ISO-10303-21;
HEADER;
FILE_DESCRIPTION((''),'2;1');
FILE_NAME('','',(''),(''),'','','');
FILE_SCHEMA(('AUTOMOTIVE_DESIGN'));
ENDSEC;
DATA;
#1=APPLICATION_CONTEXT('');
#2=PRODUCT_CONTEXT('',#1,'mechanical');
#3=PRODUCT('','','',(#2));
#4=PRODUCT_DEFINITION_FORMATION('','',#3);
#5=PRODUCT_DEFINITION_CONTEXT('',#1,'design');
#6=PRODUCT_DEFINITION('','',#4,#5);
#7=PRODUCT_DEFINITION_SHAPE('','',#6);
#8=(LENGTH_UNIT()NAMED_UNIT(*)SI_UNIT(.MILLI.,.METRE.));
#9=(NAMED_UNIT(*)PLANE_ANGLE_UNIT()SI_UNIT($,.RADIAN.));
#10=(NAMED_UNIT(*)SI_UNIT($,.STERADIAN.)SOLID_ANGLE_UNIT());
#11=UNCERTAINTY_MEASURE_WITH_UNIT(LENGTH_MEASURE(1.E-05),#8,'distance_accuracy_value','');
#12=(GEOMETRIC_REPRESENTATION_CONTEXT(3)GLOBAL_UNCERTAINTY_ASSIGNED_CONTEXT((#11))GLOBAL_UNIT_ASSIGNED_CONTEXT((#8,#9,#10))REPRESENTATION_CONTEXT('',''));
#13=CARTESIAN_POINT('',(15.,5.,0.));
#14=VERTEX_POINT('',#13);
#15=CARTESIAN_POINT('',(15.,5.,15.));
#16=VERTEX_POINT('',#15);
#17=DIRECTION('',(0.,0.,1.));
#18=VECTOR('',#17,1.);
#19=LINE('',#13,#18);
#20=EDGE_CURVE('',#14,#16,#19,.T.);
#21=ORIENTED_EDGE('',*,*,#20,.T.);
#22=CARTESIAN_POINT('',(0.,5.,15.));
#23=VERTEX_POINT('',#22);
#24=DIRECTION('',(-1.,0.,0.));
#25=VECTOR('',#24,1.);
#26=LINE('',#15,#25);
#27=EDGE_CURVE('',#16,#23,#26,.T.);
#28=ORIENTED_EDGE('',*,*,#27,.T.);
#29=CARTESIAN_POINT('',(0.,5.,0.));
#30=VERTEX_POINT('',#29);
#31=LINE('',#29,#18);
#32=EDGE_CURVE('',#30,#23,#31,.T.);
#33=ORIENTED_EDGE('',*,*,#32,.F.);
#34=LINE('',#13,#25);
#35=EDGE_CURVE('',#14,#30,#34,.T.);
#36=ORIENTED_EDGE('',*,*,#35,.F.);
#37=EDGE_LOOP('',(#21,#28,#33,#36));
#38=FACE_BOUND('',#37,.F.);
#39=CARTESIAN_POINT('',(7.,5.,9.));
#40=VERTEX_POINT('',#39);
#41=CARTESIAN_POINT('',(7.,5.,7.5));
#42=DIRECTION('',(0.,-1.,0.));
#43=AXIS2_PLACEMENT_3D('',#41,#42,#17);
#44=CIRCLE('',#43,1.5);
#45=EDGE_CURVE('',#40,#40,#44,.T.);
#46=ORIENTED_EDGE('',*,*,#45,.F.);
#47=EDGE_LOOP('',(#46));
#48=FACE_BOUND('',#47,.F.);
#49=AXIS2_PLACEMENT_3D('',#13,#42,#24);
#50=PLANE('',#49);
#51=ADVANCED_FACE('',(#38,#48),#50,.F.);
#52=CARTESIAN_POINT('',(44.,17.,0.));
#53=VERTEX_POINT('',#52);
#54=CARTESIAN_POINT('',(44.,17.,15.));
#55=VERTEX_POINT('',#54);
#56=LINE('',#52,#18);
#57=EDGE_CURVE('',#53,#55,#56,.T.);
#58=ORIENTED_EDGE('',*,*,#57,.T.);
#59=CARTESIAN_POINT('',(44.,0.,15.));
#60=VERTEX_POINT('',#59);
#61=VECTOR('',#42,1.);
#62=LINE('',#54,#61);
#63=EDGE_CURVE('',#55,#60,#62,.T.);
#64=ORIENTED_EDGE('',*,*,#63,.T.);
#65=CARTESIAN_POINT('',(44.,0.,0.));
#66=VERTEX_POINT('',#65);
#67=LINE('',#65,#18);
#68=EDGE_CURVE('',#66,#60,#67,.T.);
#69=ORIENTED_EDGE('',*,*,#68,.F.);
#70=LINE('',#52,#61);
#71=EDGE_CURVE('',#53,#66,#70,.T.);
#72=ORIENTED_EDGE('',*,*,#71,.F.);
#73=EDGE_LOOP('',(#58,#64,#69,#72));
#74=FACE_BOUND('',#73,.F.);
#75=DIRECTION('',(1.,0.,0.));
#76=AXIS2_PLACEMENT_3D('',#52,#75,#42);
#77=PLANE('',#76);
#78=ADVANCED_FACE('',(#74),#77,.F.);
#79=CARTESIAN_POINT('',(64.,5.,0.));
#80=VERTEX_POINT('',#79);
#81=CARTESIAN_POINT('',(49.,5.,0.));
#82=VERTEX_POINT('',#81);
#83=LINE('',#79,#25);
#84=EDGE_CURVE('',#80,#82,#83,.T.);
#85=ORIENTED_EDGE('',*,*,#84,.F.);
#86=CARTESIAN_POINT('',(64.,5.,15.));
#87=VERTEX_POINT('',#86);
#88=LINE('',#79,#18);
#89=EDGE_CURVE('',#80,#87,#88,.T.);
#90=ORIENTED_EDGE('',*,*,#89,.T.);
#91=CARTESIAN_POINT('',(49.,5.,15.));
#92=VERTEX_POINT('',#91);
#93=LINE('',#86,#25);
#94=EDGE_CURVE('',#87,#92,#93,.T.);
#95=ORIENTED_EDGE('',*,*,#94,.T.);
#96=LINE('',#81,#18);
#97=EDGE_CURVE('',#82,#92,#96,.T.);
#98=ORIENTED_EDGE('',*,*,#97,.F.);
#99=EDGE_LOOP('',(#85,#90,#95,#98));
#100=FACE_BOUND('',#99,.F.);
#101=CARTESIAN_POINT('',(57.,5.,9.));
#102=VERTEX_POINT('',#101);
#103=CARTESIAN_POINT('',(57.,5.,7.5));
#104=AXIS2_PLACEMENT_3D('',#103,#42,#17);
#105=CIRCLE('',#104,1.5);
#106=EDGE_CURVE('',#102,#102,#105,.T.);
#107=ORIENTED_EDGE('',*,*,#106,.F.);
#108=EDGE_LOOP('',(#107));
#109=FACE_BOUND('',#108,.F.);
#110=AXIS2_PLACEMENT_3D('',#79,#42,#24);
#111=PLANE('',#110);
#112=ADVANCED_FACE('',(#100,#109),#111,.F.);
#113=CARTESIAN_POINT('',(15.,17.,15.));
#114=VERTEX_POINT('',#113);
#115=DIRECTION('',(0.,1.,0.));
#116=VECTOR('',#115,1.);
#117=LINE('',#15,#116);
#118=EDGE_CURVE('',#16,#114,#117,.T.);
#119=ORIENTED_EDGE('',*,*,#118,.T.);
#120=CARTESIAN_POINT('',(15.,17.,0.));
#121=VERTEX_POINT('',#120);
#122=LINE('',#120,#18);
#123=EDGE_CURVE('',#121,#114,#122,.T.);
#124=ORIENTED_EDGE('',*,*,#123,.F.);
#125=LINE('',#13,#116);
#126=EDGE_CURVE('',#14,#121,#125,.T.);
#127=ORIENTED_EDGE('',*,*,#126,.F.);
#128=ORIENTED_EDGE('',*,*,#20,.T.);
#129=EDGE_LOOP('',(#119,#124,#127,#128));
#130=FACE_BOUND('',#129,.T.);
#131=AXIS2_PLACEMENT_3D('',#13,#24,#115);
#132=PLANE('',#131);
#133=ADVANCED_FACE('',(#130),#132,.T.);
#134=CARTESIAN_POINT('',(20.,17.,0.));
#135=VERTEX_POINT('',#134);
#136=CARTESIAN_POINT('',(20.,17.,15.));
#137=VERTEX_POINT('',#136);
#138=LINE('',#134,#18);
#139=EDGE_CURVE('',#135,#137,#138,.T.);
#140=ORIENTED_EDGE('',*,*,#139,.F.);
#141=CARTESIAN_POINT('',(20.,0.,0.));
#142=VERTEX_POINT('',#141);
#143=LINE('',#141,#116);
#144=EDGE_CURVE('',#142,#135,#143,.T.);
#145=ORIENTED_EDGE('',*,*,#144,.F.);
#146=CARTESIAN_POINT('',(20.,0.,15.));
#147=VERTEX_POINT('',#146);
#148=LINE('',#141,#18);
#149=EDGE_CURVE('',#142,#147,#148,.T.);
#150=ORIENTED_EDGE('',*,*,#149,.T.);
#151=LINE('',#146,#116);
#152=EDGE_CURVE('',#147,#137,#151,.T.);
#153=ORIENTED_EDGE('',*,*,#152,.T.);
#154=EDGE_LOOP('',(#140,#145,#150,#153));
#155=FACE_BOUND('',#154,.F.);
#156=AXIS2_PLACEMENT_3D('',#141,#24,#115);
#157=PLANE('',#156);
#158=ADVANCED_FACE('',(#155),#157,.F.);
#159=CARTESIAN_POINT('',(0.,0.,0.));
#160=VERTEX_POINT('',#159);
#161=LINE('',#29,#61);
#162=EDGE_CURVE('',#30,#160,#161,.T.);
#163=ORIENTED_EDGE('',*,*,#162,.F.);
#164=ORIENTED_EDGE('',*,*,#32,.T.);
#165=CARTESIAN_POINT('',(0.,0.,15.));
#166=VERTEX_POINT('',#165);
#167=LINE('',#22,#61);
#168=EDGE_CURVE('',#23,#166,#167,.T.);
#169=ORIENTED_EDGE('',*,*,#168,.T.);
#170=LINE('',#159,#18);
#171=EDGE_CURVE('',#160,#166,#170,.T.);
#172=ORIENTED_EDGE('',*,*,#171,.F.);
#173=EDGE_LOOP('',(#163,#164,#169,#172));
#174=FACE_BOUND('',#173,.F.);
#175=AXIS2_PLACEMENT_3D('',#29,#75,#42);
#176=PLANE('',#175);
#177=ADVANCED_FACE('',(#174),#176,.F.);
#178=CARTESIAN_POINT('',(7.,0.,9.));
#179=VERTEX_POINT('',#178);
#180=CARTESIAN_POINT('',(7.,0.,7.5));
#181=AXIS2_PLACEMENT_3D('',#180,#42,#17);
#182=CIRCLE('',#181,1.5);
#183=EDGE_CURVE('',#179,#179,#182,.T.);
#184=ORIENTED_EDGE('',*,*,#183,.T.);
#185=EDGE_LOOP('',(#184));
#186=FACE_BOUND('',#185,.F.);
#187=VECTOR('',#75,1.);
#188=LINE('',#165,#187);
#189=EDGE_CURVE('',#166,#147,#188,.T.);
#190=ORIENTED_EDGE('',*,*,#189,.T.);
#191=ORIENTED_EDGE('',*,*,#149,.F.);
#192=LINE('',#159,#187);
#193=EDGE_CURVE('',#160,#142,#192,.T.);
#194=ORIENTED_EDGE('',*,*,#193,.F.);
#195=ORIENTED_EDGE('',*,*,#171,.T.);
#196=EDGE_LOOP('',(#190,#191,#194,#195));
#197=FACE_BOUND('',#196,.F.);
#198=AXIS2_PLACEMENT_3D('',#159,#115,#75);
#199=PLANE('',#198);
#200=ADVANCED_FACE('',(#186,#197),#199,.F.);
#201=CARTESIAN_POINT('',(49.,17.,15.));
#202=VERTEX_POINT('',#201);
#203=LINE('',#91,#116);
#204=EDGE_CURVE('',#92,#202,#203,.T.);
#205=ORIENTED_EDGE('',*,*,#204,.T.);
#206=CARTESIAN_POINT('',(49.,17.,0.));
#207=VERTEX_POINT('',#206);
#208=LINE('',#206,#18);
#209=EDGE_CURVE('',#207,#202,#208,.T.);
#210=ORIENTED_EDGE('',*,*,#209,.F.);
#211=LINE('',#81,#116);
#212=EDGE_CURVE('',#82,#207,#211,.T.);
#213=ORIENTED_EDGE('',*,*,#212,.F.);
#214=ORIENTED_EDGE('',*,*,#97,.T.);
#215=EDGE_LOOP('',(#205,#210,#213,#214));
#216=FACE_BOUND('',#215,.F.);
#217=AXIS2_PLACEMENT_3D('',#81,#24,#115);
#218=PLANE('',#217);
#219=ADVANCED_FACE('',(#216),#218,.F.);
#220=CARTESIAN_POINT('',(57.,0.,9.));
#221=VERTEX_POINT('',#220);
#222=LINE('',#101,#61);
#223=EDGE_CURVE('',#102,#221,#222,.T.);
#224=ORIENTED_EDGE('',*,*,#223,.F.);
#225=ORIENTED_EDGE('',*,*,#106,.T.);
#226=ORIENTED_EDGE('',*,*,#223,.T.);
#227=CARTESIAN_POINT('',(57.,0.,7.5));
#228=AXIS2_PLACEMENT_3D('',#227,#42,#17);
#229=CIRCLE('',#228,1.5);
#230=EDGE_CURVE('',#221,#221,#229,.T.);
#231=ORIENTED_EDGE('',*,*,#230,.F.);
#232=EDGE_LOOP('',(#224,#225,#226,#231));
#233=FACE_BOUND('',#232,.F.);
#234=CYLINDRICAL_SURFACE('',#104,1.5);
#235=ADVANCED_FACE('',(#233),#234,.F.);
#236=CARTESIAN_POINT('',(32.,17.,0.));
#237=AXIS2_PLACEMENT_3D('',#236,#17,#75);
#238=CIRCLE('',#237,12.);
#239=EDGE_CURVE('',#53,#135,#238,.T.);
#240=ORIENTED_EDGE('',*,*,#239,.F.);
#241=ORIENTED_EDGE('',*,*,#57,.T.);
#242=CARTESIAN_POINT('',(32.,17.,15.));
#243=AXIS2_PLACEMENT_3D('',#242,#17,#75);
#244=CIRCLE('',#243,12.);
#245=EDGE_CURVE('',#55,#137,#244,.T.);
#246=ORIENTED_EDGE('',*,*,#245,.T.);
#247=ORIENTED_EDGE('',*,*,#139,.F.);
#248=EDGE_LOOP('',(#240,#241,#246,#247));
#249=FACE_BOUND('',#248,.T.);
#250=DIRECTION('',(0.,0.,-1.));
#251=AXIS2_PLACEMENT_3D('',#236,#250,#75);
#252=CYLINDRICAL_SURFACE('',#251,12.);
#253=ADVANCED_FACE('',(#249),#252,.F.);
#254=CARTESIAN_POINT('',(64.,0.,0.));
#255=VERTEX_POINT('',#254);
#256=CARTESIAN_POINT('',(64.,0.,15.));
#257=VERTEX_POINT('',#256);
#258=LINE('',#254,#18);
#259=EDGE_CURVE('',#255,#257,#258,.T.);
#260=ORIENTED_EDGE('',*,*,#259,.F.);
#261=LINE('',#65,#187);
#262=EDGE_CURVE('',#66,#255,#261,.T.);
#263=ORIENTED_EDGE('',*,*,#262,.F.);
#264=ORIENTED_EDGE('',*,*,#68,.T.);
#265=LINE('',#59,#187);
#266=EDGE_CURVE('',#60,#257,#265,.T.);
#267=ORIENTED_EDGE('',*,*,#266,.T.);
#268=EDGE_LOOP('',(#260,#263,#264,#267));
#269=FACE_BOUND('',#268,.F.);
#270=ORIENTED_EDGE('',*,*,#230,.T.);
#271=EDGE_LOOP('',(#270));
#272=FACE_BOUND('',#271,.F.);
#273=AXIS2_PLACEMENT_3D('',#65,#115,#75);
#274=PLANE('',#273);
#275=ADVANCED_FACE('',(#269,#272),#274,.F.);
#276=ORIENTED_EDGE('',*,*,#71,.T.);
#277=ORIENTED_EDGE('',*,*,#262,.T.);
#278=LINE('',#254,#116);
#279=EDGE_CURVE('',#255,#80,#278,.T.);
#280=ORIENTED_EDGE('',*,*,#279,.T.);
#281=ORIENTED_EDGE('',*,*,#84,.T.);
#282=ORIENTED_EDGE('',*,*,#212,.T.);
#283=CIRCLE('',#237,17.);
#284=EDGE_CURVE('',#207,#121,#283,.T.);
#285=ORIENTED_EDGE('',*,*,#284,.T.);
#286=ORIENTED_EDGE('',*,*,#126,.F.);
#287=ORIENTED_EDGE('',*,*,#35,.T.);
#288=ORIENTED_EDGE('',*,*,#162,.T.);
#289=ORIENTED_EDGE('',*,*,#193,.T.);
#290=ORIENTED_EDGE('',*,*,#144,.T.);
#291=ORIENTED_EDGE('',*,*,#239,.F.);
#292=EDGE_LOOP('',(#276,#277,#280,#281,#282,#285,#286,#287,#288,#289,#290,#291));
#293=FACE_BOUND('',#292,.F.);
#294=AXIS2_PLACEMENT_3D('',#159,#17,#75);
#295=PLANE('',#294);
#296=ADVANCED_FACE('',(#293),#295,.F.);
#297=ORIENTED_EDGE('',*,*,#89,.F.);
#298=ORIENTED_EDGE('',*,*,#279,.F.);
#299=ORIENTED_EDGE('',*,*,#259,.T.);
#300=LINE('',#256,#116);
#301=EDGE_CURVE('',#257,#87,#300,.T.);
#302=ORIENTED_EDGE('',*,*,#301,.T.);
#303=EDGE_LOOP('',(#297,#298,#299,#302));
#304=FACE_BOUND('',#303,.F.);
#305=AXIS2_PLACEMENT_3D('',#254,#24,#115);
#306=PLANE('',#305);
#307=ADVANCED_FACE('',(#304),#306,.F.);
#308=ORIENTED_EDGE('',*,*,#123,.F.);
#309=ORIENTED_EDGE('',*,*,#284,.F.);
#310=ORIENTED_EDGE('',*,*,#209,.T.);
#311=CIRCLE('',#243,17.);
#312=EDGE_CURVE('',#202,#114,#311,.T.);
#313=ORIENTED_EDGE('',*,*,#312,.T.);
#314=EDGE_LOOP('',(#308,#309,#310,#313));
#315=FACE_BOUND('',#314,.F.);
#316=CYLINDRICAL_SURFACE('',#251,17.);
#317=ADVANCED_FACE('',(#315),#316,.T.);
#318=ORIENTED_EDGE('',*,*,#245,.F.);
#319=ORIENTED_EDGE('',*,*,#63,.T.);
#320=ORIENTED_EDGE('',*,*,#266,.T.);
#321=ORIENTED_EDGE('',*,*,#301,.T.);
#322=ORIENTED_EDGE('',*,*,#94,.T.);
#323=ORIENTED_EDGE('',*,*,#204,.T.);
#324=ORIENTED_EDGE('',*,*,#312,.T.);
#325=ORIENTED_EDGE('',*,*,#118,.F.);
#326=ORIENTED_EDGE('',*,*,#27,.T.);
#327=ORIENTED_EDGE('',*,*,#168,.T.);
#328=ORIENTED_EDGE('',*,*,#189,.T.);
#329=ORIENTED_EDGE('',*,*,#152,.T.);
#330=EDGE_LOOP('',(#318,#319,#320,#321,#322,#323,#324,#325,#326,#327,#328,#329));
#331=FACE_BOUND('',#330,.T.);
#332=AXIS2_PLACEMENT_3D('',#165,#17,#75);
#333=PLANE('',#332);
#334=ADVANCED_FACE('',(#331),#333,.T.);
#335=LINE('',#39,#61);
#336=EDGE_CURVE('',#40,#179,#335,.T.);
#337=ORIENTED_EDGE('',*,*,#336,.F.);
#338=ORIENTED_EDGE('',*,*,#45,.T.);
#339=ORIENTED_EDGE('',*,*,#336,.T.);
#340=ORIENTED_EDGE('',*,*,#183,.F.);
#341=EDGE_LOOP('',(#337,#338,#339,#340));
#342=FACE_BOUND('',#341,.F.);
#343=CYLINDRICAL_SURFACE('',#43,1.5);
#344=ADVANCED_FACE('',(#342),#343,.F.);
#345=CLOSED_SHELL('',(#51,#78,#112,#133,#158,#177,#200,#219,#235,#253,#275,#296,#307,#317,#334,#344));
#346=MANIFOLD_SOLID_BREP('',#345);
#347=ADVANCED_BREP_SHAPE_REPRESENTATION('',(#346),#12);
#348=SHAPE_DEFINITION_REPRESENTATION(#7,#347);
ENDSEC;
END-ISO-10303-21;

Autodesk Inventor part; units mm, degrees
ref_plane "YZ Plane" through (0, 0, 0) normal (1, 0, 0) x (0, 1, 0)
ref_plane "XZ Plane" through (0, 0, 0) normal (0, 1, 0) x (-1, 0, 0)
ref_plane "XY Plane" through (0, 0, 0) normal (0, 0, 1) x (1, 0, 0)
sketch "Sketch1" plane through (0, 0, 0) normal (0, 0, 1) x (1, 0, 0)
  line L0 (64, 0) -> (64, 5)
  line L1 (0, 5) -> (0, 0)
  arc A0 (49, 17) -> (15, 17) centre (32, 17) ccw
  line L2 (15, 5) -> (15, 17)
  line L3 (49, 5) -> (49, 17)
  line L4 (20, 0) -> (20, 17)
  arc A1 (44, 17) -> (20, 17) centre (32, 17) ccw
  line L5 (44, 17) -> (44, 0)
  line L6 (64, 5) -> (49, 5)
  line L7 (15, 5) -> (0, 5)
  line L8 (0, 0) -> (20, 0)
  line L9 (44, 0) -> (64, 0)
  dimension "d1" = 5
  dimension "d3" = 17
  dimension "d4" = 15
  dimension "d6" = 5
  dimension "d7" = 15
  dimension "d8" = 20
extrude "Extrusion1" add sketch "Sketch1" along normal blind 15
sketch "Sketch2" plane through (0, 5, 0) normal (0, 1, 0) x (1, 0, 0)
  line L0 (15, 0) -> (0, 0) projected
  line L1 (64, 0) -> (49, 0) projected
  line L2 (0, 0) -> (0, -15) projected
  point P0 (7, -7.5)
  point P1 (57, -7.5)
  dimension "d18" = 50
  dimension "d19" = 7.5
  dimension "d20" = 7.5
  dimension "d21" = 7
hole "Hole1" at (7, 5, 7.5) at (57, 5, 7.5) direction (0, -1, 0) diameter 3 end through all
properties part number "U_BRACKET_2"
